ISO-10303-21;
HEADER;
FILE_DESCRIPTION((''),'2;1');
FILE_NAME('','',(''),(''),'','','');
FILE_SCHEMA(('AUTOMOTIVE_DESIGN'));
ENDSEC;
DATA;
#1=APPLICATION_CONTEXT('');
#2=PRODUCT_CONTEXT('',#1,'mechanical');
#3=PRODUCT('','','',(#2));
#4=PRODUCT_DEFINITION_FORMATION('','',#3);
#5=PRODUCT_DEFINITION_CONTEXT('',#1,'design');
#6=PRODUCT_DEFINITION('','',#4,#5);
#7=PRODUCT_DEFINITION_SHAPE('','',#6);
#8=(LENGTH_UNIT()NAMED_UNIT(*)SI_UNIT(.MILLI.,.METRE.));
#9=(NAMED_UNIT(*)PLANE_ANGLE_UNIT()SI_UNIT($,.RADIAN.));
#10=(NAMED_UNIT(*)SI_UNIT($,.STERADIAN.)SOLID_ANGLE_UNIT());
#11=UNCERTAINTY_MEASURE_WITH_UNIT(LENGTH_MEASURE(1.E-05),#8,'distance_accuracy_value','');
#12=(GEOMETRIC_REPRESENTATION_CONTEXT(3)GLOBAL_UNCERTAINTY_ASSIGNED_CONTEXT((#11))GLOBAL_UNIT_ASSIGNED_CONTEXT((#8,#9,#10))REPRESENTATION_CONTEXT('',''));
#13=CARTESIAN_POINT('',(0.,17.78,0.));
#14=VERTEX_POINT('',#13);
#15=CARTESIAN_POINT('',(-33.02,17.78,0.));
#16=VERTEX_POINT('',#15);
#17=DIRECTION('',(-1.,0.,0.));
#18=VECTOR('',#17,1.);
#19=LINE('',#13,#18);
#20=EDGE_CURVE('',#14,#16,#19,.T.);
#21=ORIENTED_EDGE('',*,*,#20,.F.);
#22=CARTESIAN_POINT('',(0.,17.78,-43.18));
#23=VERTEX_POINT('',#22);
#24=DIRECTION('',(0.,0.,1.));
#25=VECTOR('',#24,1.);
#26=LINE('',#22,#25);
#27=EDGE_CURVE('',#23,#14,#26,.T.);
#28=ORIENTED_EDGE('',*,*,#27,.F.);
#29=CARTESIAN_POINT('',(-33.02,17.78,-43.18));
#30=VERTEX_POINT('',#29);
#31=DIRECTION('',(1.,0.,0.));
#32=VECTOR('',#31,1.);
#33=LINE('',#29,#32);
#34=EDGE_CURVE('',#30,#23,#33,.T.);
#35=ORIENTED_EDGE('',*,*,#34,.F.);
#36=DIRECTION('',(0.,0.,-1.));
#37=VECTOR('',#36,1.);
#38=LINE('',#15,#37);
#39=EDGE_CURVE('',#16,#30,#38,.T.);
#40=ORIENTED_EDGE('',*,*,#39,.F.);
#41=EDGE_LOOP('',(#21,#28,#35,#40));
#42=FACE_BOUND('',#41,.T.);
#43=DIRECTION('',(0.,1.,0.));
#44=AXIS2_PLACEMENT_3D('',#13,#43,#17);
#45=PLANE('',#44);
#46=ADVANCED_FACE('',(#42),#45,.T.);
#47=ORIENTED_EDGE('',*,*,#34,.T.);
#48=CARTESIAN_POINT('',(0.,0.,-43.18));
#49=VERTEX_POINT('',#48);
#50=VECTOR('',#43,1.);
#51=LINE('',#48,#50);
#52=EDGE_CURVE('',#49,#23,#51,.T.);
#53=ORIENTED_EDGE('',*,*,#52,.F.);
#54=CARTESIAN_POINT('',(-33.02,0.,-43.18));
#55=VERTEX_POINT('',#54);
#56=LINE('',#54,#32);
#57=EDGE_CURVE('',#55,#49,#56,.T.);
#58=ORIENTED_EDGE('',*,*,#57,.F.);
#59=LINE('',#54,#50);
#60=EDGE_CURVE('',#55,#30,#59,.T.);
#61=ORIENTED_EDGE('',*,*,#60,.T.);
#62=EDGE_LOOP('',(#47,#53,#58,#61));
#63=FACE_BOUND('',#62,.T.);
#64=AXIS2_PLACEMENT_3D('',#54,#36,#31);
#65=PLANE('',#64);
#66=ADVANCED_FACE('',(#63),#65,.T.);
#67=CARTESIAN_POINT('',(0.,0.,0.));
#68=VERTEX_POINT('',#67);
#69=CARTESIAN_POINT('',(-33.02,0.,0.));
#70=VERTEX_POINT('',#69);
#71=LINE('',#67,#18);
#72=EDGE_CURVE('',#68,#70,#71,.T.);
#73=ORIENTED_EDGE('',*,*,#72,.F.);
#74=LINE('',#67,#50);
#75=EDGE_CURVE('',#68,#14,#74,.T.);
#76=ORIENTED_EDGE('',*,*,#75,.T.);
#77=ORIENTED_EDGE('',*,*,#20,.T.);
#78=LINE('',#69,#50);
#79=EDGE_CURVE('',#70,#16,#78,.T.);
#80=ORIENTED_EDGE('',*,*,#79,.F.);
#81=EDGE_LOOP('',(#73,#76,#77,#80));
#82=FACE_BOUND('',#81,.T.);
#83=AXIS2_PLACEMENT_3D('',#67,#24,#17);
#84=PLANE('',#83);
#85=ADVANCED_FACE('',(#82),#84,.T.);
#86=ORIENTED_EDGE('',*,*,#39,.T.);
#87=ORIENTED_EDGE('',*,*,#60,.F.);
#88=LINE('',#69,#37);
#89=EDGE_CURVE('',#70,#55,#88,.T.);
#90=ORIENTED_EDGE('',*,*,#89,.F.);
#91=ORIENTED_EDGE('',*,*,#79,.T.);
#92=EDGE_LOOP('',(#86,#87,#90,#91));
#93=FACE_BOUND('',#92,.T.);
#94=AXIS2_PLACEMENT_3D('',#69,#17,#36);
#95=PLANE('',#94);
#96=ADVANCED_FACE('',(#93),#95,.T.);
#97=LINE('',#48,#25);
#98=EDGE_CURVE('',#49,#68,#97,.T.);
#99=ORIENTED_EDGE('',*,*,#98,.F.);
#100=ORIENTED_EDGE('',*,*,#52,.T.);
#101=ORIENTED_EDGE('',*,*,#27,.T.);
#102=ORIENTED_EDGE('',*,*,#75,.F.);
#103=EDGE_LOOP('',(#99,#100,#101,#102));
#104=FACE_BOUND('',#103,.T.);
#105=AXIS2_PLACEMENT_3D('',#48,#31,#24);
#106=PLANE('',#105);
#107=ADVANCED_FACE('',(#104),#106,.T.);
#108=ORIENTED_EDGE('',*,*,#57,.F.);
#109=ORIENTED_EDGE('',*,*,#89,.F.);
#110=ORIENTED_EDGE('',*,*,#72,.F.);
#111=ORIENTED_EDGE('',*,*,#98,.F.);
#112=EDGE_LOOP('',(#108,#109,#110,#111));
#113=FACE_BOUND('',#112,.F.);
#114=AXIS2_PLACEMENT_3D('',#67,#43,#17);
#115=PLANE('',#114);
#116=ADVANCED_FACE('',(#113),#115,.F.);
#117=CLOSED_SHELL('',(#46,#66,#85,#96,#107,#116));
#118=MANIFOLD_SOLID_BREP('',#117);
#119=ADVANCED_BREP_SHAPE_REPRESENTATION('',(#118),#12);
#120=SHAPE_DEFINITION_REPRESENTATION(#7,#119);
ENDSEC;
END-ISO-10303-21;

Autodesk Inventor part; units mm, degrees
ref_plane "YZ Plane" through (0, 0, 0) normal (1, 0, 0) x (0, 1, 0)
ref_plane "XZ Plane" through (0, 0, 0) normal (0, 1, 0) x (-1, 0, 0)
ref_plane "XY Plane" through (0, 0, 0) normal (0, 0, 1) x (1, 0, 0)
sketch "Sketch1" plane through (0, 0, 0) normal (0, 1, 0) x (-1, 0, 0)
  line L0 (0, 0) -> (33.02, 0)
  line L1 (33.02, 0) -> (33.02, -43.18)
  line L2 (33.02, -43.18) -> (0, -43.18)
  line L3 (0, -43.18) -> (0, 0)
  dimension "d0" = 43.18
  dimension "d1" = 33.02
extrude "Extrusion1" add sketch "Sketch1" along normal blind 17.78
properties part number "AC2DC_real"
